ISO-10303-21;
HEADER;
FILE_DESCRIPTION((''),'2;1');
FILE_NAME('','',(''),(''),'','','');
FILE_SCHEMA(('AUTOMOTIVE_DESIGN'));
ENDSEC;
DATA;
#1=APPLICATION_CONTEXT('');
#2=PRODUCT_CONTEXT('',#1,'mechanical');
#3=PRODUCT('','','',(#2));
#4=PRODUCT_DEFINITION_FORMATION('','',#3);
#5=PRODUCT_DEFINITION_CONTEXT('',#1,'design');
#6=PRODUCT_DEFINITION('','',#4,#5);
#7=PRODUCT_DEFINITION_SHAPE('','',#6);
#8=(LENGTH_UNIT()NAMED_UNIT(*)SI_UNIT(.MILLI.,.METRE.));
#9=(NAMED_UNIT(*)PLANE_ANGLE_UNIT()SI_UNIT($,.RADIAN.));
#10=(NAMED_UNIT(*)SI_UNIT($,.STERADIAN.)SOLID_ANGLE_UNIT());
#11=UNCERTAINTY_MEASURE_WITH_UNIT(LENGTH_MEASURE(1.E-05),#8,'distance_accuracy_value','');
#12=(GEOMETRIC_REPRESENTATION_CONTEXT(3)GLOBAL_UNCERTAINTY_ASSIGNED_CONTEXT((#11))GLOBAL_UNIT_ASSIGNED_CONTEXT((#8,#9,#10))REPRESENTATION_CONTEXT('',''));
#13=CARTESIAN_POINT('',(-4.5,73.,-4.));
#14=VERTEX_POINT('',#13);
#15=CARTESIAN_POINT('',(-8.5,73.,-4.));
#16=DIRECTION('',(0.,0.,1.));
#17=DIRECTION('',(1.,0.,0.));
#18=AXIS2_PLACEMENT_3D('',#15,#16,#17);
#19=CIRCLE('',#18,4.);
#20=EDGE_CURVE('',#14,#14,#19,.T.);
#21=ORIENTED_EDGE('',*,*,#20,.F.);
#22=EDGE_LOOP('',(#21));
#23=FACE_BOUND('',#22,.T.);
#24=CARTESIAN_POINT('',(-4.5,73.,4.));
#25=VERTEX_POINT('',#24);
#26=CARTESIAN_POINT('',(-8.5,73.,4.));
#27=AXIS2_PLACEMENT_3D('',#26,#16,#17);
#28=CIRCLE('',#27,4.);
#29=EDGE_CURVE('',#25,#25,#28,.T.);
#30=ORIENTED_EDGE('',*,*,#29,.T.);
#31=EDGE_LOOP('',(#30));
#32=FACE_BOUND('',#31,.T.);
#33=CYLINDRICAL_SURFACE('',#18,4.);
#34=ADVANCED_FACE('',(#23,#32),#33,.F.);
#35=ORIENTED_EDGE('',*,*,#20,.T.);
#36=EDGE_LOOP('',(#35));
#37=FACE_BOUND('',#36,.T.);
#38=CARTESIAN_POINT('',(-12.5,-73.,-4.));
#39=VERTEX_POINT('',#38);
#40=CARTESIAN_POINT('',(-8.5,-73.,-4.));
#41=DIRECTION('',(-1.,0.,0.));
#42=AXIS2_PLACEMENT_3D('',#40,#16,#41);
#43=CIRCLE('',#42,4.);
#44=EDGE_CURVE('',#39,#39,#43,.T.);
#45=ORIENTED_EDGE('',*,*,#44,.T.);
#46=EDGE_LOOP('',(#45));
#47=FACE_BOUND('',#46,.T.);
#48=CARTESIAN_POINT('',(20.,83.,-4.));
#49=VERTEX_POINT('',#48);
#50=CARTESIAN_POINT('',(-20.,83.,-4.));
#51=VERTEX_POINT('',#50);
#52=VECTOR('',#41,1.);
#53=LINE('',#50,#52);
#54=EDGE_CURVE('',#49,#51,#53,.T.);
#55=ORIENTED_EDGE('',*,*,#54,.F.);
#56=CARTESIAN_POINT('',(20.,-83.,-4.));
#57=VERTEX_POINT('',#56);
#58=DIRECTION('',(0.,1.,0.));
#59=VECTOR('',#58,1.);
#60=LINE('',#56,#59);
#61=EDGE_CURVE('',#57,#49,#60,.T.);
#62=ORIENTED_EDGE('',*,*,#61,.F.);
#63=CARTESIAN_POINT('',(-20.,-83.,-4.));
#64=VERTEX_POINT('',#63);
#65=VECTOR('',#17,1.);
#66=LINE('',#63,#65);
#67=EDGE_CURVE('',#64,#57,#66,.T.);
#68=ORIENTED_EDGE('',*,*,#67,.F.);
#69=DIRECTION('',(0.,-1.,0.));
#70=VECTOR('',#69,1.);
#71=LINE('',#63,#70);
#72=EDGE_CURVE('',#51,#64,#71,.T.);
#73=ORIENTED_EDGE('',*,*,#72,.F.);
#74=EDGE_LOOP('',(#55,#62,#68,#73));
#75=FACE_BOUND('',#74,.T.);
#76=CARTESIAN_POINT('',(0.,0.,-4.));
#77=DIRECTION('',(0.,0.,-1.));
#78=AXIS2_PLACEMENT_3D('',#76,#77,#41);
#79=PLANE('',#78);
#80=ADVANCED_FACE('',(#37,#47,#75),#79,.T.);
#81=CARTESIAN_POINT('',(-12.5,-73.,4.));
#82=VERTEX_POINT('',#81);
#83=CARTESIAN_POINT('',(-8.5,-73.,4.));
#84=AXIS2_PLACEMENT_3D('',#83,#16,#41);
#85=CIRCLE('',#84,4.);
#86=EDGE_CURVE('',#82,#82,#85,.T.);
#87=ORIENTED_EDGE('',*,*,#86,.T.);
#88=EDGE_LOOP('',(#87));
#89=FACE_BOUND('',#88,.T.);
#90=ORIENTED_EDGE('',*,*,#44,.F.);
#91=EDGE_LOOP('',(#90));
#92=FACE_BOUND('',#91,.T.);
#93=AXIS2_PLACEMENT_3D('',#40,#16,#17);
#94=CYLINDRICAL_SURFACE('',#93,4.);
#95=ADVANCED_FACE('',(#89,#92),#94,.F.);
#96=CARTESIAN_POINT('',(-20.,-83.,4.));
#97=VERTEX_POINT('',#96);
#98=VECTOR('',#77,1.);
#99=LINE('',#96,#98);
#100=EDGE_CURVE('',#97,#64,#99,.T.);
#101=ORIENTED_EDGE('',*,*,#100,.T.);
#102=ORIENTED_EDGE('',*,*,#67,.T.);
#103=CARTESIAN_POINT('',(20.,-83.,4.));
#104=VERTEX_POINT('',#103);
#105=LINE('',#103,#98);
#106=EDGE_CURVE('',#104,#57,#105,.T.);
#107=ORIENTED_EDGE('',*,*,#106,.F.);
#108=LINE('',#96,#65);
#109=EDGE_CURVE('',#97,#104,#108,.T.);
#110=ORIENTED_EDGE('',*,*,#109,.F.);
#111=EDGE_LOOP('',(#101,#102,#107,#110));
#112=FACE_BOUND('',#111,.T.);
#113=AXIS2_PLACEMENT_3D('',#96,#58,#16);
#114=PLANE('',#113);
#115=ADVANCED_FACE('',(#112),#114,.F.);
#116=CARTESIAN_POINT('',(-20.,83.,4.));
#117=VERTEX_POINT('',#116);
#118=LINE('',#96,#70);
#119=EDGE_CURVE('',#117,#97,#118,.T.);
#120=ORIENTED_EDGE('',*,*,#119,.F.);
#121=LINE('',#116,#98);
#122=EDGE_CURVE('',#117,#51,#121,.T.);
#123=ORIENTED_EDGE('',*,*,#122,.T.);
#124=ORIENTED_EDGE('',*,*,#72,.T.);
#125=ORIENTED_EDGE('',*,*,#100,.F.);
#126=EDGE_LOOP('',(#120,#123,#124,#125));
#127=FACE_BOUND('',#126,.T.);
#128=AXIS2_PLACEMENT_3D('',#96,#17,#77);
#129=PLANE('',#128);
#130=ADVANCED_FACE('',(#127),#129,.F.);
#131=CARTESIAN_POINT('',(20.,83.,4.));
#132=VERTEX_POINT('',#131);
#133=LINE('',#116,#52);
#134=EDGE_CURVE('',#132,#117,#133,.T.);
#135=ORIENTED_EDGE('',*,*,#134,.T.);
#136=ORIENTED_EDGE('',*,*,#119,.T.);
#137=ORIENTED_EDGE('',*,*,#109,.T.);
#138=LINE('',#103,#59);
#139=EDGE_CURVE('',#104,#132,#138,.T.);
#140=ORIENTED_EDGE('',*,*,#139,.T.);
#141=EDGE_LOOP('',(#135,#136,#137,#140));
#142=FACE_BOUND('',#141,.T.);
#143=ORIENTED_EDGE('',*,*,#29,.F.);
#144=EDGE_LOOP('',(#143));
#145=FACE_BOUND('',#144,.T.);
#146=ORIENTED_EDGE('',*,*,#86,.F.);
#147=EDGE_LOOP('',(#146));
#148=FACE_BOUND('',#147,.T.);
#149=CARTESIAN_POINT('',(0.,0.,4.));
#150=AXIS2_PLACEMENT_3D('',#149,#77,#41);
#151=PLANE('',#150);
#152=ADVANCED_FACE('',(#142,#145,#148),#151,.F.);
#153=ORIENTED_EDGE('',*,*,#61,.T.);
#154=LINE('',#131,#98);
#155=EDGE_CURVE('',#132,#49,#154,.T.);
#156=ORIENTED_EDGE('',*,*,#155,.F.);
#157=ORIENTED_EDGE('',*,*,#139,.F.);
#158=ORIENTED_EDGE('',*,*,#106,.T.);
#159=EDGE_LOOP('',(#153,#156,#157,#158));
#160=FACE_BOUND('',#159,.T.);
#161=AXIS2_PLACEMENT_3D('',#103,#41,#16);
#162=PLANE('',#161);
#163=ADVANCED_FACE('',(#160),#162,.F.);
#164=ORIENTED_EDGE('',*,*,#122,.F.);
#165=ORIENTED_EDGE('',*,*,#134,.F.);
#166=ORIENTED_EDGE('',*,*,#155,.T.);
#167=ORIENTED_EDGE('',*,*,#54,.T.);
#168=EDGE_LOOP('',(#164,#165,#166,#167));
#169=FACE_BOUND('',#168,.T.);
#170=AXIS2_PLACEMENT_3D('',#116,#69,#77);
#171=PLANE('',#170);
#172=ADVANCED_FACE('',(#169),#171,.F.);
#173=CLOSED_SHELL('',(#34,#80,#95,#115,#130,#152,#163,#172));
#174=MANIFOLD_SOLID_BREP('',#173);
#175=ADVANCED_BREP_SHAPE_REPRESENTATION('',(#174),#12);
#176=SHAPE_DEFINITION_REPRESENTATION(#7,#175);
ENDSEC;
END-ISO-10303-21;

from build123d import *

# Parameters (mm, degrees)
SKETCH1_W           = 40
SKETCH1_H           = 166
BOSS_EXTRUDE1_DEPTH = 4
SKETCH2_R           = 4
CUT_EXTRUDE1_DEPTH  = 9


with BuildPart() as part:
    # Sketch1 → Boss-Extrude1 (new body, symmetric)
    with BuildSketch(Plane.XY):
        Rectangle(SKETCH1_W, SKETCH1_H)
    extrude(amount=BOSS_EXTRUDE1_DEPTH, both=True)

    # Sketch2 → Cut-Extrude1 (cut, through all)
    with BuildSketch(Plane.XY.offset(4)):
        with Locations((-8.5, 73)):
            Circle(SKETCH2_R)
        with Locations((-8.5, -73)):
            Circle(SKETCH2_R)
    extrude(amount=-CUT_EXTRUDE1_DEPTH, mode=Mode.SUBTRACT)


solid = part.part
